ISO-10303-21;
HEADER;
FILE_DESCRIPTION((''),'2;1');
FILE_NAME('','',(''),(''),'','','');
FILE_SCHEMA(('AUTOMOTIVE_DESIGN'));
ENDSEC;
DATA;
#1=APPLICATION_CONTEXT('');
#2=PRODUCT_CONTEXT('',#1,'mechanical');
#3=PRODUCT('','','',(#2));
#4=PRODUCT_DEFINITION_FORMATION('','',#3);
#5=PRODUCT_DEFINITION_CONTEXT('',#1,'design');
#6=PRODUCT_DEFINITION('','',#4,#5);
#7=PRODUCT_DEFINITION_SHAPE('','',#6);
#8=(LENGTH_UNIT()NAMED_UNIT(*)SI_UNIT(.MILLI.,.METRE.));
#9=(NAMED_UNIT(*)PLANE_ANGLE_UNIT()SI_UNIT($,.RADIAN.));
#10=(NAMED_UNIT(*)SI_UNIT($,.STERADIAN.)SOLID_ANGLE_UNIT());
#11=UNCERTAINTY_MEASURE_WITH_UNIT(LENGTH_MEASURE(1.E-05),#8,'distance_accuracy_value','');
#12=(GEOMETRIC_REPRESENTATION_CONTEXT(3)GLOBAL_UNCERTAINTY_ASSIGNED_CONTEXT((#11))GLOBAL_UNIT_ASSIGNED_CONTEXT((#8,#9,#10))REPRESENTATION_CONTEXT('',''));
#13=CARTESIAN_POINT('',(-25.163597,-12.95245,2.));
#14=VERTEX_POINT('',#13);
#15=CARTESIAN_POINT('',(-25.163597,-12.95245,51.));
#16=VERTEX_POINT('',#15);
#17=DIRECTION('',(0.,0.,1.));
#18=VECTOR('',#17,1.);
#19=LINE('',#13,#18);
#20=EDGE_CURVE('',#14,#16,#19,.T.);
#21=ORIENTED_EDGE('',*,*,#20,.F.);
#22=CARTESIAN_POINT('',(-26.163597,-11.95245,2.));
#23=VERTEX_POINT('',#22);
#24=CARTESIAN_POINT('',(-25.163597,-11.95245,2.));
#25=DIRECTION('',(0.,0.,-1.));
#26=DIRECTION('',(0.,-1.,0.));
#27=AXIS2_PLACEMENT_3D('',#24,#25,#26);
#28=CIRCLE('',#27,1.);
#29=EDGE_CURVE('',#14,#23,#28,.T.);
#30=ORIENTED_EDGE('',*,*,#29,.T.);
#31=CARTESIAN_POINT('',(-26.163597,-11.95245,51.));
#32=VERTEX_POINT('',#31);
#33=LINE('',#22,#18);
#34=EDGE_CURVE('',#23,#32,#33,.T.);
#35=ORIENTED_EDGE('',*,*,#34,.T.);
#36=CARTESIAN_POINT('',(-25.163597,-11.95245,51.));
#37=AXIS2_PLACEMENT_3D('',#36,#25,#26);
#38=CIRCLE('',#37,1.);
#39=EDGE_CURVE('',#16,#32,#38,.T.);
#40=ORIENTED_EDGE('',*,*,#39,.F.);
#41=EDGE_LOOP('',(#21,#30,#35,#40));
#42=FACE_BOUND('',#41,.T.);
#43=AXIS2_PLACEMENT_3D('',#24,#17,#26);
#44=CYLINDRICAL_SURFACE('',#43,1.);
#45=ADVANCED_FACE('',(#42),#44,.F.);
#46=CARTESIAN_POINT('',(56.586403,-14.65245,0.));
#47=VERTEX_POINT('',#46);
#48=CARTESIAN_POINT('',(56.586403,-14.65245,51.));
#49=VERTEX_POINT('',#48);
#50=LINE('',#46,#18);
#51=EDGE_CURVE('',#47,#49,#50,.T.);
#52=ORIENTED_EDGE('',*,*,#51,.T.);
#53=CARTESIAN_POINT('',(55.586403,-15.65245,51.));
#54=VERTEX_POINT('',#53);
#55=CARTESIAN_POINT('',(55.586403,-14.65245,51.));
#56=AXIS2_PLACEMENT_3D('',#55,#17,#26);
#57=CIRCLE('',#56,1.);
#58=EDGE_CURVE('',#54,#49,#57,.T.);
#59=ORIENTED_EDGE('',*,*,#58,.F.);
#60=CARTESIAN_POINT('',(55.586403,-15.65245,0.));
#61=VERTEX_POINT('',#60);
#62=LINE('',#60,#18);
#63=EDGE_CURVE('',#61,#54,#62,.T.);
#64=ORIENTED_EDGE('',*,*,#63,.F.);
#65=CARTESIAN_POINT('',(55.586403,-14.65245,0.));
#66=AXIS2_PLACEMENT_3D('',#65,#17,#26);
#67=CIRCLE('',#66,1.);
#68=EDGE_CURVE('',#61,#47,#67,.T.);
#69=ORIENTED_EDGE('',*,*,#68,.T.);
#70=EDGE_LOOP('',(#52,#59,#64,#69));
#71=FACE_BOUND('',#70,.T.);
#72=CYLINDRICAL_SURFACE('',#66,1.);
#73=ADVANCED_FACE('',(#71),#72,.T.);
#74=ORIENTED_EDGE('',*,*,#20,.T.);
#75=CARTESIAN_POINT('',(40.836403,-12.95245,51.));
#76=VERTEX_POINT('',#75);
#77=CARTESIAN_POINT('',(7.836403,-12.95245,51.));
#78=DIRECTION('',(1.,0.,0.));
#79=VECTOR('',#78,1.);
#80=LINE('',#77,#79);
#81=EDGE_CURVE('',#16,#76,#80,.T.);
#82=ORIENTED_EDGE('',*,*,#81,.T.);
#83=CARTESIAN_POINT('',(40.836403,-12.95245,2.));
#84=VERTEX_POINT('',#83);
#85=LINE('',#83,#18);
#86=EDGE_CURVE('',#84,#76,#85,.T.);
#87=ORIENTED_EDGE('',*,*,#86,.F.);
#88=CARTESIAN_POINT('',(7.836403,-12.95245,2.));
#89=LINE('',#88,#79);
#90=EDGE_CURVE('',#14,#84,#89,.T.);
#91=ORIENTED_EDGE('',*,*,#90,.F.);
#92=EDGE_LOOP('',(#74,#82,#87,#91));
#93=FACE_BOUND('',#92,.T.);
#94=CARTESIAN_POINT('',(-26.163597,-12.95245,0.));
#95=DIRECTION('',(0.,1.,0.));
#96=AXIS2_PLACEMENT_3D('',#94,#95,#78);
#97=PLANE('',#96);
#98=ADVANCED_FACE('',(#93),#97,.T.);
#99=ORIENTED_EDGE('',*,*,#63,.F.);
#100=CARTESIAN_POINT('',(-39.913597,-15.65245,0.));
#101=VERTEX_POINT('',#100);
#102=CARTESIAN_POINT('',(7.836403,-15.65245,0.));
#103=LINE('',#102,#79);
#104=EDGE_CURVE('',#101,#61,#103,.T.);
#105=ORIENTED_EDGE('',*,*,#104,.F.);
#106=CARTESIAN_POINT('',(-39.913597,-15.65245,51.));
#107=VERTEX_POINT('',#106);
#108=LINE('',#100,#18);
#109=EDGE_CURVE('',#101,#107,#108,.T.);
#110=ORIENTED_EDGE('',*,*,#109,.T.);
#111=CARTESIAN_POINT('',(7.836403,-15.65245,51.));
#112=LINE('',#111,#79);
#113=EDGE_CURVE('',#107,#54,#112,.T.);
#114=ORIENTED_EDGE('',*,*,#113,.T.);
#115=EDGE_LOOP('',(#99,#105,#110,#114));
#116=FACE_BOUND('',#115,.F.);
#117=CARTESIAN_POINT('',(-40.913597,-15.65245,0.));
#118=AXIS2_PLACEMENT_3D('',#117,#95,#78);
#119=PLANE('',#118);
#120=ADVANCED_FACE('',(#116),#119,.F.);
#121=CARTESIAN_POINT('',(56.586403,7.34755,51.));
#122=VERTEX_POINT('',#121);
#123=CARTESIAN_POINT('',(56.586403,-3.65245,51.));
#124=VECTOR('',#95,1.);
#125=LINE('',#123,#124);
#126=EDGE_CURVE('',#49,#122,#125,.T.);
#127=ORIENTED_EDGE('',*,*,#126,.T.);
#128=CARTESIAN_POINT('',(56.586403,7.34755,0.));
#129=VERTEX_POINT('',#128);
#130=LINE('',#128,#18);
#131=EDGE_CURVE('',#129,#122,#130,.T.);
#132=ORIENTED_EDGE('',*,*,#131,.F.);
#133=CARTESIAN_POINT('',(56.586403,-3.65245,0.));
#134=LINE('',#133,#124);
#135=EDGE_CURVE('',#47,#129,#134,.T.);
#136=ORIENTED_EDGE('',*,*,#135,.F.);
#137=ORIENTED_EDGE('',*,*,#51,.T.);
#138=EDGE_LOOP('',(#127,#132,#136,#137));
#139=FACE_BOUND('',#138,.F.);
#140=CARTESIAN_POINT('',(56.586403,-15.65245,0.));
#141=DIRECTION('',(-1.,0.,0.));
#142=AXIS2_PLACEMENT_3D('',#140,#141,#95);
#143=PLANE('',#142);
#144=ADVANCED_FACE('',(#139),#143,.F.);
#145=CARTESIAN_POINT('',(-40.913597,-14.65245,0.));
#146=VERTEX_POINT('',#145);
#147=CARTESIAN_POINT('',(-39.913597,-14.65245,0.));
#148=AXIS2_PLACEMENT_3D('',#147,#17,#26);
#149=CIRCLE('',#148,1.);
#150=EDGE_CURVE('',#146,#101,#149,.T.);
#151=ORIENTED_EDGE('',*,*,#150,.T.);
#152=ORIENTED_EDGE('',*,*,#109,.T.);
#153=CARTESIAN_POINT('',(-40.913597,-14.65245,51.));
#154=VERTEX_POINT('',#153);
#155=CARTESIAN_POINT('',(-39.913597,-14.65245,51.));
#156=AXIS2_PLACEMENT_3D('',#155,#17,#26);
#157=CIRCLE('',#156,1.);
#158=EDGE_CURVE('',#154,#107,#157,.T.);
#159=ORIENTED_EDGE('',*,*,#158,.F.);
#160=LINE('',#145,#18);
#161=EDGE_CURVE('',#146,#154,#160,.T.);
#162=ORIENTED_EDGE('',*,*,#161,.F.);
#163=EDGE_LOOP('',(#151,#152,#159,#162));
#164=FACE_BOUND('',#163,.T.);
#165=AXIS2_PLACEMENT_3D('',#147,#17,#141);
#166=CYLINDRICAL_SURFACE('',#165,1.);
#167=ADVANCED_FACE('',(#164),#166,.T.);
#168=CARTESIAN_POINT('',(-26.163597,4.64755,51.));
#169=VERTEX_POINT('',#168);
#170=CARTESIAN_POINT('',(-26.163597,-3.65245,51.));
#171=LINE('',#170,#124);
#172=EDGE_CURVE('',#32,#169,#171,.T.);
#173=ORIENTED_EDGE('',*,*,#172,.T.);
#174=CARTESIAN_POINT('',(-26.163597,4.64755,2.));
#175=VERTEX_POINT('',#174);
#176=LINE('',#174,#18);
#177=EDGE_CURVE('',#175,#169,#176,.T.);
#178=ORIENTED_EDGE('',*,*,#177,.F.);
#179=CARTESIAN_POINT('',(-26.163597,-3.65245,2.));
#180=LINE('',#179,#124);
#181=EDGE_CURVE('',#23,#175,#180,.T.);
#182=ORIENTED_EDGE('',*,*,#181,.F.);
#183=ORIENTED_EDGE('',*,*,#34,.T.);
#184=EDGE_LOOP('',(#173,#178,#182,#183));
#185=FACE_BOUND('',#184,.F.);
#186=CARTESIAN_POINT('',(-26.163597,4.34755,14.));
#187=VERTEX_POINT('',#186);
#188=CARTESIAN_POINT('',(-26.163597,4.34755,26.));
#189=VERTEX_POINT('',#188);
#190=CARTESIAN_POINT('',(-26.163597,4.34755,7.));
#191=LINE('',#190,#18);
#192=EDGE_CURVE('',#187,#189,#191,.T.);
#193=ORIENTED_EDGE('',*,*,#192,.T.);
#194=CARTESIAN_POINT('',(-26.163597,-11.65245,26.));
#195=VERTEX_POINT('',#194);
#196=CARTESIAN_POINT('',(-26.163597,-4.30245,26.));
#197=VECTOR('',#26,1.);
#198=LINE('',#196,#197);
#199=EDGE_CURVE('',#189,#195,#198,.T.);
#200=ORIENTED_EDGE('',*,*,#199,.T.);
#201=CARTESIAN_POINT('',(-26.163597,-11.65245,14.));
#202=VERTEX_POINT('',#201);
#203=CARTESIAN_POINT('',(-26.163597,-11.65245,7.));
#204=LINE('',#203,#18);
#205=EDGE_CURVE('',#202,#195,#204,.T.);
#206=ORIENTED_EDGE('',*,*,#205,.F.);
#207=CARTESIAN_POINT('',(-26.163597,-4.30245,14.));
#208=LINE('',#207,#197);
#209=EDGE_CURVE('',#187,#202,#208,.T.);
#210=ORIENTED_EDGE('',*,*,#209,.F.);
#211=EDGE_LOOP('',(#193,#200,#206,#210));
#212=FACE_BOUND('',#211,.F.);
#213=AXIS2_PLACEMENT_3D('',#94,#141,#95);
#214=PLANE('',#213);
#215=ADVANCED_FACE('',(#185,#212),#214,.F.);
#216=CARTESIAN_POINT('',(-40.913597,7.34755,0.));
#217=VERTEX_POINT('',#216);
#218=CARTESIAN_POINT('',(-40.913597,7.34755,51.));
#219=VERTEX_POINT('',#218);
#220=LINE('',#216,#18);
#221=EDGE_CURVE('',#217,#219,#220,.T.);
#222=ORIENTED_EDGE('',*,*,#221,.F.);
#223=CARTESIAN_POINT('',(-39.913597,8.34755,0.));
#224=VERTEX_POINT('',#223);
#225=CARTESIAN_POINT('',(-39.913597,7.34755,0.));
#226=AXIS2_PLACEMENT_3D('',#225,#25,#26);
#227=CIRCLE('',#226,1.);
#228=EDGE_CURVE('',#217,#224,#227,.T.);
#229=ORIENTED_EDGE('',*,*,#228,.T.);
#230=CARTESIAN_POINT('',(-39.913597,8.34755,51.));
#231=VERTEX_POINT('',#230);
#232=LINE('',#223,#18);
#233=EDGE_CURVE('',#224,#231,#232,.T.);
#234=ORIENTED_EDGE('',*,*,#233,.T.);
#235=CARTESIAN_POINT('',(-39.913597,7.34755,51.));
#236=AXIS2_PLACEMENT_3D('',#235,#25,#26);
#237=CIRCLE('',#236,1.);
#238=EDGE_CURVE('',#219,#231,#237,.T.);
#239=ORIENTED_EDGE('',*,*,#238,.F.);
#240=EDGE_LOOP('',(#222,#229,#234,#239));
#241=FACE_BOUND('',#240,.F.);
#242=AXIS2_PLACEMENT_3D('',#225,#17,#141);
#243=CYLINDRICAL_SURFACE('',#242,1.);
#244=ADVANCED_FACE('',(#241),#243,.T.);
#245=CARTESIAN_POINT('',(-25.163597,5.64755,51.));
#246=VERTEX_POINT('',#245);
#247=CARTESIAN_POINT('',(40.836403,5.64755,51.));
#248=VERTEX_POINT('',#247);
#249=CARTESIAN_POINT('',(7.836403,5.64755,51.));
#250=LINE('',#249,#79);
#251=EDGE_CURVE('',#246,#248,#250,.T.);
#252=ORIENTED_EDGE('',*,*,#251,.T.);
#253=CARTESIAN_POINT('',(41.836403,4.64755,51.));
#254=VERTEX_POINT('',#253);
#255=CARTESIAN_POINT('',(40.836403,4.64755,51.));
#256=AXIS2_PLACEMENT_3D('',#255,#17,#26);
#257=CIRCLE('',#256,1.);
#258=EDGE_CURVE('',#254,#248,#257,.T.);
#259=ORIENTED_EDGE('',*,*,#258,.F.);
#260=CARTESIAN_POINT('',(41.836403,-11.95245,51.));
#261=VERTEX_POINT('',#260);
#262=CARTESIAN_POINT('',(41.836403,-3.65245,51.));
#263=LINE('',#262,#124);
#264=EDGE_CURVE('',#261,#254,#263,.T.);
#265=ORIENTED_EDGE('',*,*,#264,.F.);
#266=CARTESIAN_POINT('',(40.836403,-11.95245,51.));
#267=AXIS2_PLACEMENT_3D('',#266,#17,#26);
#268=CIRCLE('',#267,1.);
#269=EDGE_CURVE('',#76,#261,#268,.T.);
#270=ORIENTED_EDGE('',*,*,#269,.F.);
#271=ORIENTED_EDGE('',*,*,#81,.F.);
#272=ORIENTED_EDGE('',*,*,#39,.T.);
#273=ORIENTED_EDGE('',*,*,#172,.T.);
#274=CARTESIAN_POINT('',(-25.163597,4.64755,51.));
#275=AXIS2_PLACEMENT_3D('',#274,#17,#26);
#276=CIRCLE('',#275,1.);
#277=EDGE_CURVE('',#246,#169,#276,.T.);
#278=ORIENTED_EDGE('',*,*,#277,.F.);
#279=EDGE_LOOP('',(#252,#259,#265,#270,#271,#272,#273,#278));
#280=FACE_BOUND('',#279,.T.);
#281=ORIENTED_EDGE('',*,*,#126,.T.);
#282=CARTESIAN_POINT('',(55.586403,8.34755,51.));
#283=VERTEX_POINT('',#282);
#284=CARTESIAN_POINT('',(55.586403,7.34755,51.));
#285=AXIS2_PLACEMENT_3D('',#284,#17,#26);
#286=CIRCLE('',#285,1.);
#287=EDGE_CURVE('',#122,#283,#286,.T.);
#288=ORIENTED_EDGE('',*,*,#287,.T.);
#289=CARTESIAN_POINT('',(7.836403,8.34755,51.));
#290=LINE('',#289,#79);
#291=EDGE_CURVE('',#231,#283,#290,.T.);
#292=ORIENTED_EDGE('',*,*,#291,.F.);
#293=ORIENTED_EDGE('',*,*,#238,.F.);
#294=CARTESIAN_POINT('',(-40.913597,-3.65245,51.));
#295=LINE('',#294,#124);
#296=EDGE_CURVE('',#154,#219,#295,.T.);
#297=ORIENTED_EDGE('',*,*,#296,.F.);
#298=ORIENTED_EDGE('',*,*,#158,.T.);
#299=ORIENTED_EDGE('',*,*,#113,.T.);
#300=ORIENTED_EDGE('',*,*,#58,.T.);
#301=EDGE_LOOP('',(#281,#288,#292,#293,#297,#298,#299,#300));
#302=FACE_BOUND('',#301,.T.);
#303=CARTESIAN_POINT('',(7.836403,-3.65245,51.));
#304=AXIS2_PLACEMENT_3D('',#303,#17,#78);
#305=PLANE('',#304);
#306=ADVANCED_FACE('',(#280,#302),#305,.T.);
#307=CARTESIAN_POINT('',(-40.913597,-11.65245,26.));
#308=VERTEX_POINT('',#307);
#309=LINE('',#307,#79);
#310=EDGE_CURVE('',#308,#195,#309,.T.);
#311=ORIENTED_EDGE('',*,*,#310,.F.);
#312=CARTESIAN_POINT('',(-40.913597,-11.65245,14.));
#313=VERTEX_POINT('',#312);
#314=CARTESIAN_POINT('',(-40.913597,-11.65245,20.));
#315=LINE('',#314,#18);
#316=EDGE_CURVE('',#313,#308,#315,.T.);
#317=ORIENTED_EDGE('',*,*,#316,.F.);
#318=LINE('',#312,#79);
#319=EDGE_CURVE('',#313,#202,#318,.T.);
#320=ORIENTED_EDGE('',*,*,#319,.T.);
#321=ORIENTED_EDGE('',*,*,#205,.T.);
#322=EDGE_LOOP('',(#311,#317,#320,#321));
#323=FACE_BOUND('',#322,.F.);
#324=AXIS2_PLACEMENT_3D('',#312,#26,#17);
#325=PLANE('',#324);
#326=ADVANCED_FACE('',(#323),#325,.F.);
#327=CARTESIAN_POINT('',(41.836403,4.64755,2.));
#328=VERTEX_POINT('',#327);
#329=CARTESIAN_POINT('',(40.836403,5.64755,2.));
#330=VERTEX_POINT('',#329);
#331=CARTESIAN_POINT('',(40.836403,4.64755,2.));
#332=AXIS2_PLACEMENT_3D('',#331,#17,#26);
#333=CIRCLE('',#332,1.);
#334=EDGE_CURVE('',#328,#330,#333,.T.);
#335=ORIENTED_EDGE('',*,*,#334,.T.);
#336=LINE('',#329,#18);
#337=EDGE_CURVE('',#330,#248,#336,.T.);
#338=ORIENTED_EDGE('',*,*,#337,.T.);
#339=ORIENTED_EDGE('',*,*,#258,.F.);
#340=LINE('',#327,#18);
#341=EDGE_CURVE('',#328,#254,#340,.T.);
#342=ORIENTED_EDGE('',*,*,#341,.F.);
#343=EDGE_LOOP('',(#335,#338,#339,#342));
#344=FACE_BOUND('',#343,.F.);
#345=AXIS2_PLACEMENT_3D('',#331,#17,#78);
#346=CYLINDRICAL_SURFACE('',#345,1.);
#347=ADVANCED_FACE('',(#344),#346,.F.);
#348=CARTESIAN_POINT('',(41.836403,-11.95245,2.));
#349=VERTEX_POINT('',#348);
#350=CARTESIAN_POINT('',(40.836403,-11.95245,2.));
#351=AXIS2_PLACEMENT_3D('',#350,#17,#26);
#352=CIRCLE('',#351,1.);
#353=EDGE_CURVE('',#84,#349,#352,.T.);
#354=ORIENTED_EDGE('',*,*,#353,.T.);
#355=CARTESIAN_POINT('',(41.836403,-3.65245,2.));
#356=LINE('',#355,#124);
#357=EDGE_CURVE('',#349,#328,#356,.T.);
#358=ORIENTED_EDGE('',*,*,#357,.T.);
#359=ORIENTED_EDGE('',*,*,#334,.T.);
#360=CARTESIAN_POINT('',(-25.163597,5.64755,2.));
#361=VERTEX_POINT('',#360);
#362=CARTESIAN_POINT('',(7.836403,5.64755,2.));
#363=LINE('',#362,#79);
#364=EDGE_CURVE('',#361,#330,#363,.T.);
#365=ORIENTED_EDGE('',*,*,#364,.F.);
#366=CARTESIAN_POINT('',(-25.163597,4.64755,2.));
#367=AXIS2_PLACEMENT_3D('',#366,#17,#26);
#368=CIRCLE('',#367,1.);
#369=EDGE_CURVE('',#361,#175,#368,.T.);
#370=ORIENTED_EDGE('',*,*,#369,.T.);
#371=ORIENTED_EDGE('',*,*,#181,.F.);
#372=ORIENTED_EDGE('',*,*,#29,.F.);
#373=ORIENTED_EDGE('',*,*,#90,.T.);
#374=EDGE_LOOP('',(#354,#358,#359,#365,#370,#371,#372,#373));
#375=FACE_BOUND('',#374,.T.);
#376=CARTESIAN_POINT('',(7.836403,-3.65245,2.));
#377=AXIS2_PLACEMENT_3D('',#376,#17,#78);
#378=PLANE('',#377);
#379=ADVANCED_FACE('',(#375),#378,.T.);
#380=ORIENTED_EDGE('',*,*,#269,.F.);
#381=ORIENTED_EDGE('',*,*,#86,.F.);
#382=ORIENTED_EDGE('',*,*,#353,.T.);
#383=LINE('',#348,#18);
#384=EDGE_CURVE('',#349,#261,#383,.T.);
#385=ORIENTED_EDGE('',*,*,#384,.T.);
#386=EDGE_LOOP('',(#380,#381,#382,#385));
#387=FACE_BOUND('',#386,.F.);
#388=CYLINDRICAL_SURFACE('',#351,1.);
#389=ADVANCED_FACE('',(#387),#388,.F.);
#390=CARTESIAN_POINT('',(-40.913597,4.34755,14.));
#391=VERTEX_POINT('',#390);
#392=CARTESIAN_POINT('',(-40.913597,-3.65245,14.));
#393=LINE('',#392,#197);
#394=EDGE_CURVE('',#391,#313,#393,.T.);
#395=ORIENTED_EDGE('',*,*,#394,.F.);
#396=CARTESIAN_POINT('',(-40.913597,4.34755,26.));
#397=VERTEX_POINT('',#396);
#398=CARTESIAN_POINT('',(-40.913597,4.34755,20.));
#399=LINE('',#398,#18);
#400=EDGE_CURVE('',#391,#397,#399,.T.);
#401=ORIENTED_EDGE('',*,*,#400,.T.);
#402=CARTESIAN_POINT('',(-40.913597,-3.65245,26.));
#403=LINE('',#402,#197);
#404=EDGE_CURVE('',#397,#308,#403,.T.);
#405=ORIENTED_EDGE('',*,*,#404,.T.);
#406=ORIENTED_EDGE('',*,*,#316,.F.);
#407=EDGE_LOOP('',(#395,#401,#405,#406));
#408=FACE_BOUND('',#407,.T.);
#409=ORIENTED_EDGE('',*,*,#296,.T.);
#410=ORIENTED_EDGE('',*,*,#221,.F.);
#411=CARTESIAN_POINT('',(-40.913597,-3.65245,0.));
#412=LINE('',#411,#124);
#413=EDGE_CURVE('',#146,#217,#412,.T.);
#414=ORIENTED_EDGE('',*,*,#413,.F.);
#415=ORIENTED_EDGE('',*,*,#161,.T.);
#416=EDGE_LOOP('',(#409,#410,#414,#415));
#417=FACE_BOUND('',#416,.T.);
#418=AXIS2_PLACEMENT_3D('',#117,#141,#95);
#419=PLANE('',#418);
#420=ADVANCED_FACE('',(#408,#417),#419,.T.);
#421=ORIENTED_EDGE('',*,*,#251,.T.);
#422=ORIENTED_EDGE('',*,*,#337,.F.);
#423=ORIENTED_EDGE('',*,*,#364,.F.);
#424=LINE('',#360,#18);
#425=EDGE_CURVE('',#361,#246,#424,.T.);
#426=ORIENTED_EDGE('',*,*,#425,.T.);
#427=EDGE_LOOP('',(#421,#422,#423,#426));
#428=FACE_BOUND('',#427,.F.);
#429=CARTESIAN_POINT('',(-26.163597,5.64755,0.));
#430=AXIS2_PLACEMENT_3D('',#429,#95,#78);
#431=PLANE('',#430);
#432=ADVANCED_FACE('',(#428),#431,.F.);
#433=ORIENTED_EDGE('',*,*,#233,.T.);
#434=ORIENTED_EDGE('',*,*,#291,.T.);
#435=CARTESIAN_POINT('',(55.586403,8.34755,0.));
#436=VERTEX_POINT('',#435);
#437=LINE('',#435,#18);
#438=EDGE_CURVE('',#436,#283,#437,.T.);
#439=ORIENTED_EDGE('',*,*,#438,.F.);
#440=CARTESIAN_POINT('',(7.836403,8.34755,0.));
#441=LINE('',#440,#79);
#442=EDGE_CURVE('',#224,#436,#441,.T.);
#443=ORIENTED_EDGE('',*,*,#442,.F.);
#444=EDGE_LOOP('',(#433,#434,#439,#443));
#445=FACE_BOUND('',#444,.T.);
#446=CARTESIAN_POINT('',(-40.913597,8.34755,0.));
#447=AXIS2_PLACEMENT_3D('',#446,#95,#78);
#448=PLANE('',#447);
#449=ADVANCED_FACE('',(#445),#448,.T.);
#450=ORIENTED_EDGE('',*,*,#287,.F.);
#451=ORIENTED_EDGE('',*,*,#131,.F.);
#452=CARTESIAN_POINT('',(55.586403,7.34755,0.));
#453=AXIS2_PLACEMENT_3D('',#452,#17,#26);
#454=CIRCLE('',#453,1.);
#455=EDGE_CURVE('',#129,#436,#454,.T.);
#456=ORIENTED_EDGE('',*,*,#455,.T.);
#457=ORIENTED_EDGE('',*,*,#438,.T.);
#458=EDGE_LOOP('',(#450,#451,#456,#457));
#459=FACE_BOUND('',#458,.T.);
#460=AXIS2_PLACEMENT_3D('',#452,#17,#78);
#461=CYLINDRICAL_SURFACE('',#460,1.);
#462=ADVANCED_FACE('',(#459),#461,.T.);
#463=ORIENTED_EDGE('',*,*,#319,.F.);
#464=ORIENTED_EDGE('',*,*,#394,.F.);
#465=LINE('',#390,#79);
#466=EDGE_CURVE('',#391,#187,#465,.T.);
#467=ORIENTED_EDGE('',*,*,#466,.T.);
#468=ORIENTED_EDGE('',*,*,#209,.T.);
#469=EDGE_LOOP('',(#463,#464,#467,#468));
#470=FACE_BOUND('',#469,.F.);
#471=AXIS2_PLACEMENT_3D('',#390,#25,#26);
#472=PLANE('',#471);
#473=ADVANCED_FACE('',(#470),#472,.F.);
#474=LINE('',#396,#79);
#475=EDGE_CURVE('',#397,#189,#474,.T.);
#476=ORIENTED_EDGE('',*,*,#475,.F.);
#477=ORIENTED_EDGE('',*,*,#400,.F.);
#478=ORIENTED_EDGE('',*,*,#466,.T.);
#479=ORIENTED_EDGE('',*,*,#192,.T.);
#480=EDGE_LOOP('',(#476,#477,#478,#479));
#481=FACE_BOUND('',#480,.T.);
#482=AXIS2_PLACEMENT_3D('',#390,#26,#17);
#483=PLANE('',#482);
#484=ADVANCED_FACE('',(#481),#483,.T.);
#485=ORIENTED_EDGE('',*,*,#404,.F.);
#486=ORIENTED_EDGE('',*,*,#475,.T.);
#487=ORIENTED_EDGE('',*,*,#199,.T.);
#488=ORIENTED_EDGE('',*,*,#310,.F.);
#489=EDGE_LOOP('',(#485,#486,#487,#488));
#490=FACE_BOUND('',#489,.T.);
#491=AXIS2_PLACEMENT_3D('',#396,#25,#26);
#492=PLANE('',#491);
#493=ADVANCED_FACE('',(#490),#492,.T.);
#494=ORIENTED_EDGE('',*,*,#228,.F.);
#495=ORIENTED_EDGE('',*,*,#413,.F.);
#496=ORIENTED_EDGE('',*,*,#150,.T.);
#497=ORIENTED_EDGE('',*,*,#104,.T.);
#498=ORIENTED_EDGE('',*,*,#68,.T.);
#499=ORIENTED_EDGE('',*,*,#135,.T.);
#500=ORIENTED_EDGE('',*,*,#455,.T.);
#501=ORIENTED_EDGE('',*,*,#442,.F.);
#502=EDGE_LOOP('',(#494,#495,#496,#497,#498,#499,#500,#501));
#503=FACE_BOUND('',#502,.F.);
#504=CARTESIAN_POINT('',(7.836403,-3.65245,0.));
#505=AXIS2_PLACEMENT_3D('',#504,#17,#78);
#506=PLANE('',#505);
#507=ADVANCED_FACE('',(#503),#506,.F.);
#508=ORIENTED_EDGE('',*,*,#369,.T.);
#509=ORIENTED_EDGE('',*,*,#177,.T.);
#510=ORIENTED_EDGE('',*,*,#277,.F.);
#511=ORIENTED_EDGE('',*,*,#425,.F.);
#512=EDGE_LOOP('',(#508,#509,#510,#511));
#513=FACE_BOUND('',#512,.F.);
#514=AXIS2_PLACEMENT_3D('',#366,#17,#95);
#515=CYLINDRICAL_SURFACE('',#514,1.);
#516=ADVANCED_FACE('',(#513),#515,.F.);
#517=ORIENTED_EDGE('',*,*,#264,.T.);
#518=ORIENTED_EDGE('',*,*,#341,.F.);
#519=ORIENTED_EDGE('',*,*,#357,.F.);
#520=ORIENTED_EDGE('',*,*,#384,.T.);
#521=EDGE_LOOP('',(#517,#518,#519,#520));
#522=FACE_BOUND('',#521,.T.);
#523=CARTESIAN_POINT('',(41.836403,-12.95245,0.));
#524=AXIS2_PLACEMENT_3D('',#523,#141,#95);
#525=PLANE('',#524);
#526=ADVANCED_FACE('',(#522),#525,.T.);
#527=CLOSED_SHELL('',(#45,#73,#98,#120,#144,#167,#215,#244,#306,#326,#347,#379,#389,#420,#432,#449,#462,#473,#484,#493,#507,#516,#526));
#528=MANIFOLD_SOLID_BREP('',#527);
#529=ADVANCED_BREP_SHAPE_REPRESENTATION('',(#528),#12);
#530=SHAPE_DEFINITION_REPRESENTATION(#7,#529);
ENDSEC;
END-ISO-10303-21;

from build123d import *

# Parameters (mm, degrees)
F0_W     = 97.5
F0_H     = 24
F0_W_2   = 68
F0_H_2   = 18.6
F1_DEPTH = 51
F2_DEPTH = 2
F3_W     = 16
F3_H     = 12
F4_DEPTH = 25
F5_R     = 1


with BuildPart() as f1:
    # F0 (on Top) → F1 (new body)
    with BuildSketch(Plane.XY):
        with Locations((7.836403, -3.65245)):
            Rectangle(F0_W, F0_H)
        with Locations((7.836403, -3.65245)):
            Rectangle(F0_W_2, F0_H_2, mode=Mode.SUBTRACT)
    extrude(amount=F1_DEPTH)

    # F0 (on Top) → F2 (join)
    with BuildSketch(Plane.XY):
        with Locations((7.836403, -3.65245)):
            Rectangle(F0_W_2, F0_H_2)
    extrude(amount=F2_DEPTH)

    # F3 (on face) → F4 (cut)
    with BuildSketch(Plane(origin=(-40.913597, 0, 0), x_dir=(0, -1, 0), z_dir=(-1, 0, 0))):
        with Locations((3.65245, 20)):
            Rectangle(F3_W, F3_H)
    extrude(amount=-F4_DEPTH, mode=Mode.SUBTRACT)

    # F5
    f5_edges = [f1.edges().sort_by_distance(p)[0] for p in [
        (-40.913597, -15.65245, 25.5),
        (-40.913597, 8.34755, 25.5),
        (56.586403, -15.65245, 25.5),
        (56.586403, 8.34755, 25.5),
        (41.836403, 5.64755, 26.5),
        (41.836403, -12.95245, 26.5),
        (-26.163597, 5.64755, 26.5),
        (-26.163597, -12.95245, 26.5),
    ]]
    fillet(f5_edges, radius=F5_R)


solid = f1.part
